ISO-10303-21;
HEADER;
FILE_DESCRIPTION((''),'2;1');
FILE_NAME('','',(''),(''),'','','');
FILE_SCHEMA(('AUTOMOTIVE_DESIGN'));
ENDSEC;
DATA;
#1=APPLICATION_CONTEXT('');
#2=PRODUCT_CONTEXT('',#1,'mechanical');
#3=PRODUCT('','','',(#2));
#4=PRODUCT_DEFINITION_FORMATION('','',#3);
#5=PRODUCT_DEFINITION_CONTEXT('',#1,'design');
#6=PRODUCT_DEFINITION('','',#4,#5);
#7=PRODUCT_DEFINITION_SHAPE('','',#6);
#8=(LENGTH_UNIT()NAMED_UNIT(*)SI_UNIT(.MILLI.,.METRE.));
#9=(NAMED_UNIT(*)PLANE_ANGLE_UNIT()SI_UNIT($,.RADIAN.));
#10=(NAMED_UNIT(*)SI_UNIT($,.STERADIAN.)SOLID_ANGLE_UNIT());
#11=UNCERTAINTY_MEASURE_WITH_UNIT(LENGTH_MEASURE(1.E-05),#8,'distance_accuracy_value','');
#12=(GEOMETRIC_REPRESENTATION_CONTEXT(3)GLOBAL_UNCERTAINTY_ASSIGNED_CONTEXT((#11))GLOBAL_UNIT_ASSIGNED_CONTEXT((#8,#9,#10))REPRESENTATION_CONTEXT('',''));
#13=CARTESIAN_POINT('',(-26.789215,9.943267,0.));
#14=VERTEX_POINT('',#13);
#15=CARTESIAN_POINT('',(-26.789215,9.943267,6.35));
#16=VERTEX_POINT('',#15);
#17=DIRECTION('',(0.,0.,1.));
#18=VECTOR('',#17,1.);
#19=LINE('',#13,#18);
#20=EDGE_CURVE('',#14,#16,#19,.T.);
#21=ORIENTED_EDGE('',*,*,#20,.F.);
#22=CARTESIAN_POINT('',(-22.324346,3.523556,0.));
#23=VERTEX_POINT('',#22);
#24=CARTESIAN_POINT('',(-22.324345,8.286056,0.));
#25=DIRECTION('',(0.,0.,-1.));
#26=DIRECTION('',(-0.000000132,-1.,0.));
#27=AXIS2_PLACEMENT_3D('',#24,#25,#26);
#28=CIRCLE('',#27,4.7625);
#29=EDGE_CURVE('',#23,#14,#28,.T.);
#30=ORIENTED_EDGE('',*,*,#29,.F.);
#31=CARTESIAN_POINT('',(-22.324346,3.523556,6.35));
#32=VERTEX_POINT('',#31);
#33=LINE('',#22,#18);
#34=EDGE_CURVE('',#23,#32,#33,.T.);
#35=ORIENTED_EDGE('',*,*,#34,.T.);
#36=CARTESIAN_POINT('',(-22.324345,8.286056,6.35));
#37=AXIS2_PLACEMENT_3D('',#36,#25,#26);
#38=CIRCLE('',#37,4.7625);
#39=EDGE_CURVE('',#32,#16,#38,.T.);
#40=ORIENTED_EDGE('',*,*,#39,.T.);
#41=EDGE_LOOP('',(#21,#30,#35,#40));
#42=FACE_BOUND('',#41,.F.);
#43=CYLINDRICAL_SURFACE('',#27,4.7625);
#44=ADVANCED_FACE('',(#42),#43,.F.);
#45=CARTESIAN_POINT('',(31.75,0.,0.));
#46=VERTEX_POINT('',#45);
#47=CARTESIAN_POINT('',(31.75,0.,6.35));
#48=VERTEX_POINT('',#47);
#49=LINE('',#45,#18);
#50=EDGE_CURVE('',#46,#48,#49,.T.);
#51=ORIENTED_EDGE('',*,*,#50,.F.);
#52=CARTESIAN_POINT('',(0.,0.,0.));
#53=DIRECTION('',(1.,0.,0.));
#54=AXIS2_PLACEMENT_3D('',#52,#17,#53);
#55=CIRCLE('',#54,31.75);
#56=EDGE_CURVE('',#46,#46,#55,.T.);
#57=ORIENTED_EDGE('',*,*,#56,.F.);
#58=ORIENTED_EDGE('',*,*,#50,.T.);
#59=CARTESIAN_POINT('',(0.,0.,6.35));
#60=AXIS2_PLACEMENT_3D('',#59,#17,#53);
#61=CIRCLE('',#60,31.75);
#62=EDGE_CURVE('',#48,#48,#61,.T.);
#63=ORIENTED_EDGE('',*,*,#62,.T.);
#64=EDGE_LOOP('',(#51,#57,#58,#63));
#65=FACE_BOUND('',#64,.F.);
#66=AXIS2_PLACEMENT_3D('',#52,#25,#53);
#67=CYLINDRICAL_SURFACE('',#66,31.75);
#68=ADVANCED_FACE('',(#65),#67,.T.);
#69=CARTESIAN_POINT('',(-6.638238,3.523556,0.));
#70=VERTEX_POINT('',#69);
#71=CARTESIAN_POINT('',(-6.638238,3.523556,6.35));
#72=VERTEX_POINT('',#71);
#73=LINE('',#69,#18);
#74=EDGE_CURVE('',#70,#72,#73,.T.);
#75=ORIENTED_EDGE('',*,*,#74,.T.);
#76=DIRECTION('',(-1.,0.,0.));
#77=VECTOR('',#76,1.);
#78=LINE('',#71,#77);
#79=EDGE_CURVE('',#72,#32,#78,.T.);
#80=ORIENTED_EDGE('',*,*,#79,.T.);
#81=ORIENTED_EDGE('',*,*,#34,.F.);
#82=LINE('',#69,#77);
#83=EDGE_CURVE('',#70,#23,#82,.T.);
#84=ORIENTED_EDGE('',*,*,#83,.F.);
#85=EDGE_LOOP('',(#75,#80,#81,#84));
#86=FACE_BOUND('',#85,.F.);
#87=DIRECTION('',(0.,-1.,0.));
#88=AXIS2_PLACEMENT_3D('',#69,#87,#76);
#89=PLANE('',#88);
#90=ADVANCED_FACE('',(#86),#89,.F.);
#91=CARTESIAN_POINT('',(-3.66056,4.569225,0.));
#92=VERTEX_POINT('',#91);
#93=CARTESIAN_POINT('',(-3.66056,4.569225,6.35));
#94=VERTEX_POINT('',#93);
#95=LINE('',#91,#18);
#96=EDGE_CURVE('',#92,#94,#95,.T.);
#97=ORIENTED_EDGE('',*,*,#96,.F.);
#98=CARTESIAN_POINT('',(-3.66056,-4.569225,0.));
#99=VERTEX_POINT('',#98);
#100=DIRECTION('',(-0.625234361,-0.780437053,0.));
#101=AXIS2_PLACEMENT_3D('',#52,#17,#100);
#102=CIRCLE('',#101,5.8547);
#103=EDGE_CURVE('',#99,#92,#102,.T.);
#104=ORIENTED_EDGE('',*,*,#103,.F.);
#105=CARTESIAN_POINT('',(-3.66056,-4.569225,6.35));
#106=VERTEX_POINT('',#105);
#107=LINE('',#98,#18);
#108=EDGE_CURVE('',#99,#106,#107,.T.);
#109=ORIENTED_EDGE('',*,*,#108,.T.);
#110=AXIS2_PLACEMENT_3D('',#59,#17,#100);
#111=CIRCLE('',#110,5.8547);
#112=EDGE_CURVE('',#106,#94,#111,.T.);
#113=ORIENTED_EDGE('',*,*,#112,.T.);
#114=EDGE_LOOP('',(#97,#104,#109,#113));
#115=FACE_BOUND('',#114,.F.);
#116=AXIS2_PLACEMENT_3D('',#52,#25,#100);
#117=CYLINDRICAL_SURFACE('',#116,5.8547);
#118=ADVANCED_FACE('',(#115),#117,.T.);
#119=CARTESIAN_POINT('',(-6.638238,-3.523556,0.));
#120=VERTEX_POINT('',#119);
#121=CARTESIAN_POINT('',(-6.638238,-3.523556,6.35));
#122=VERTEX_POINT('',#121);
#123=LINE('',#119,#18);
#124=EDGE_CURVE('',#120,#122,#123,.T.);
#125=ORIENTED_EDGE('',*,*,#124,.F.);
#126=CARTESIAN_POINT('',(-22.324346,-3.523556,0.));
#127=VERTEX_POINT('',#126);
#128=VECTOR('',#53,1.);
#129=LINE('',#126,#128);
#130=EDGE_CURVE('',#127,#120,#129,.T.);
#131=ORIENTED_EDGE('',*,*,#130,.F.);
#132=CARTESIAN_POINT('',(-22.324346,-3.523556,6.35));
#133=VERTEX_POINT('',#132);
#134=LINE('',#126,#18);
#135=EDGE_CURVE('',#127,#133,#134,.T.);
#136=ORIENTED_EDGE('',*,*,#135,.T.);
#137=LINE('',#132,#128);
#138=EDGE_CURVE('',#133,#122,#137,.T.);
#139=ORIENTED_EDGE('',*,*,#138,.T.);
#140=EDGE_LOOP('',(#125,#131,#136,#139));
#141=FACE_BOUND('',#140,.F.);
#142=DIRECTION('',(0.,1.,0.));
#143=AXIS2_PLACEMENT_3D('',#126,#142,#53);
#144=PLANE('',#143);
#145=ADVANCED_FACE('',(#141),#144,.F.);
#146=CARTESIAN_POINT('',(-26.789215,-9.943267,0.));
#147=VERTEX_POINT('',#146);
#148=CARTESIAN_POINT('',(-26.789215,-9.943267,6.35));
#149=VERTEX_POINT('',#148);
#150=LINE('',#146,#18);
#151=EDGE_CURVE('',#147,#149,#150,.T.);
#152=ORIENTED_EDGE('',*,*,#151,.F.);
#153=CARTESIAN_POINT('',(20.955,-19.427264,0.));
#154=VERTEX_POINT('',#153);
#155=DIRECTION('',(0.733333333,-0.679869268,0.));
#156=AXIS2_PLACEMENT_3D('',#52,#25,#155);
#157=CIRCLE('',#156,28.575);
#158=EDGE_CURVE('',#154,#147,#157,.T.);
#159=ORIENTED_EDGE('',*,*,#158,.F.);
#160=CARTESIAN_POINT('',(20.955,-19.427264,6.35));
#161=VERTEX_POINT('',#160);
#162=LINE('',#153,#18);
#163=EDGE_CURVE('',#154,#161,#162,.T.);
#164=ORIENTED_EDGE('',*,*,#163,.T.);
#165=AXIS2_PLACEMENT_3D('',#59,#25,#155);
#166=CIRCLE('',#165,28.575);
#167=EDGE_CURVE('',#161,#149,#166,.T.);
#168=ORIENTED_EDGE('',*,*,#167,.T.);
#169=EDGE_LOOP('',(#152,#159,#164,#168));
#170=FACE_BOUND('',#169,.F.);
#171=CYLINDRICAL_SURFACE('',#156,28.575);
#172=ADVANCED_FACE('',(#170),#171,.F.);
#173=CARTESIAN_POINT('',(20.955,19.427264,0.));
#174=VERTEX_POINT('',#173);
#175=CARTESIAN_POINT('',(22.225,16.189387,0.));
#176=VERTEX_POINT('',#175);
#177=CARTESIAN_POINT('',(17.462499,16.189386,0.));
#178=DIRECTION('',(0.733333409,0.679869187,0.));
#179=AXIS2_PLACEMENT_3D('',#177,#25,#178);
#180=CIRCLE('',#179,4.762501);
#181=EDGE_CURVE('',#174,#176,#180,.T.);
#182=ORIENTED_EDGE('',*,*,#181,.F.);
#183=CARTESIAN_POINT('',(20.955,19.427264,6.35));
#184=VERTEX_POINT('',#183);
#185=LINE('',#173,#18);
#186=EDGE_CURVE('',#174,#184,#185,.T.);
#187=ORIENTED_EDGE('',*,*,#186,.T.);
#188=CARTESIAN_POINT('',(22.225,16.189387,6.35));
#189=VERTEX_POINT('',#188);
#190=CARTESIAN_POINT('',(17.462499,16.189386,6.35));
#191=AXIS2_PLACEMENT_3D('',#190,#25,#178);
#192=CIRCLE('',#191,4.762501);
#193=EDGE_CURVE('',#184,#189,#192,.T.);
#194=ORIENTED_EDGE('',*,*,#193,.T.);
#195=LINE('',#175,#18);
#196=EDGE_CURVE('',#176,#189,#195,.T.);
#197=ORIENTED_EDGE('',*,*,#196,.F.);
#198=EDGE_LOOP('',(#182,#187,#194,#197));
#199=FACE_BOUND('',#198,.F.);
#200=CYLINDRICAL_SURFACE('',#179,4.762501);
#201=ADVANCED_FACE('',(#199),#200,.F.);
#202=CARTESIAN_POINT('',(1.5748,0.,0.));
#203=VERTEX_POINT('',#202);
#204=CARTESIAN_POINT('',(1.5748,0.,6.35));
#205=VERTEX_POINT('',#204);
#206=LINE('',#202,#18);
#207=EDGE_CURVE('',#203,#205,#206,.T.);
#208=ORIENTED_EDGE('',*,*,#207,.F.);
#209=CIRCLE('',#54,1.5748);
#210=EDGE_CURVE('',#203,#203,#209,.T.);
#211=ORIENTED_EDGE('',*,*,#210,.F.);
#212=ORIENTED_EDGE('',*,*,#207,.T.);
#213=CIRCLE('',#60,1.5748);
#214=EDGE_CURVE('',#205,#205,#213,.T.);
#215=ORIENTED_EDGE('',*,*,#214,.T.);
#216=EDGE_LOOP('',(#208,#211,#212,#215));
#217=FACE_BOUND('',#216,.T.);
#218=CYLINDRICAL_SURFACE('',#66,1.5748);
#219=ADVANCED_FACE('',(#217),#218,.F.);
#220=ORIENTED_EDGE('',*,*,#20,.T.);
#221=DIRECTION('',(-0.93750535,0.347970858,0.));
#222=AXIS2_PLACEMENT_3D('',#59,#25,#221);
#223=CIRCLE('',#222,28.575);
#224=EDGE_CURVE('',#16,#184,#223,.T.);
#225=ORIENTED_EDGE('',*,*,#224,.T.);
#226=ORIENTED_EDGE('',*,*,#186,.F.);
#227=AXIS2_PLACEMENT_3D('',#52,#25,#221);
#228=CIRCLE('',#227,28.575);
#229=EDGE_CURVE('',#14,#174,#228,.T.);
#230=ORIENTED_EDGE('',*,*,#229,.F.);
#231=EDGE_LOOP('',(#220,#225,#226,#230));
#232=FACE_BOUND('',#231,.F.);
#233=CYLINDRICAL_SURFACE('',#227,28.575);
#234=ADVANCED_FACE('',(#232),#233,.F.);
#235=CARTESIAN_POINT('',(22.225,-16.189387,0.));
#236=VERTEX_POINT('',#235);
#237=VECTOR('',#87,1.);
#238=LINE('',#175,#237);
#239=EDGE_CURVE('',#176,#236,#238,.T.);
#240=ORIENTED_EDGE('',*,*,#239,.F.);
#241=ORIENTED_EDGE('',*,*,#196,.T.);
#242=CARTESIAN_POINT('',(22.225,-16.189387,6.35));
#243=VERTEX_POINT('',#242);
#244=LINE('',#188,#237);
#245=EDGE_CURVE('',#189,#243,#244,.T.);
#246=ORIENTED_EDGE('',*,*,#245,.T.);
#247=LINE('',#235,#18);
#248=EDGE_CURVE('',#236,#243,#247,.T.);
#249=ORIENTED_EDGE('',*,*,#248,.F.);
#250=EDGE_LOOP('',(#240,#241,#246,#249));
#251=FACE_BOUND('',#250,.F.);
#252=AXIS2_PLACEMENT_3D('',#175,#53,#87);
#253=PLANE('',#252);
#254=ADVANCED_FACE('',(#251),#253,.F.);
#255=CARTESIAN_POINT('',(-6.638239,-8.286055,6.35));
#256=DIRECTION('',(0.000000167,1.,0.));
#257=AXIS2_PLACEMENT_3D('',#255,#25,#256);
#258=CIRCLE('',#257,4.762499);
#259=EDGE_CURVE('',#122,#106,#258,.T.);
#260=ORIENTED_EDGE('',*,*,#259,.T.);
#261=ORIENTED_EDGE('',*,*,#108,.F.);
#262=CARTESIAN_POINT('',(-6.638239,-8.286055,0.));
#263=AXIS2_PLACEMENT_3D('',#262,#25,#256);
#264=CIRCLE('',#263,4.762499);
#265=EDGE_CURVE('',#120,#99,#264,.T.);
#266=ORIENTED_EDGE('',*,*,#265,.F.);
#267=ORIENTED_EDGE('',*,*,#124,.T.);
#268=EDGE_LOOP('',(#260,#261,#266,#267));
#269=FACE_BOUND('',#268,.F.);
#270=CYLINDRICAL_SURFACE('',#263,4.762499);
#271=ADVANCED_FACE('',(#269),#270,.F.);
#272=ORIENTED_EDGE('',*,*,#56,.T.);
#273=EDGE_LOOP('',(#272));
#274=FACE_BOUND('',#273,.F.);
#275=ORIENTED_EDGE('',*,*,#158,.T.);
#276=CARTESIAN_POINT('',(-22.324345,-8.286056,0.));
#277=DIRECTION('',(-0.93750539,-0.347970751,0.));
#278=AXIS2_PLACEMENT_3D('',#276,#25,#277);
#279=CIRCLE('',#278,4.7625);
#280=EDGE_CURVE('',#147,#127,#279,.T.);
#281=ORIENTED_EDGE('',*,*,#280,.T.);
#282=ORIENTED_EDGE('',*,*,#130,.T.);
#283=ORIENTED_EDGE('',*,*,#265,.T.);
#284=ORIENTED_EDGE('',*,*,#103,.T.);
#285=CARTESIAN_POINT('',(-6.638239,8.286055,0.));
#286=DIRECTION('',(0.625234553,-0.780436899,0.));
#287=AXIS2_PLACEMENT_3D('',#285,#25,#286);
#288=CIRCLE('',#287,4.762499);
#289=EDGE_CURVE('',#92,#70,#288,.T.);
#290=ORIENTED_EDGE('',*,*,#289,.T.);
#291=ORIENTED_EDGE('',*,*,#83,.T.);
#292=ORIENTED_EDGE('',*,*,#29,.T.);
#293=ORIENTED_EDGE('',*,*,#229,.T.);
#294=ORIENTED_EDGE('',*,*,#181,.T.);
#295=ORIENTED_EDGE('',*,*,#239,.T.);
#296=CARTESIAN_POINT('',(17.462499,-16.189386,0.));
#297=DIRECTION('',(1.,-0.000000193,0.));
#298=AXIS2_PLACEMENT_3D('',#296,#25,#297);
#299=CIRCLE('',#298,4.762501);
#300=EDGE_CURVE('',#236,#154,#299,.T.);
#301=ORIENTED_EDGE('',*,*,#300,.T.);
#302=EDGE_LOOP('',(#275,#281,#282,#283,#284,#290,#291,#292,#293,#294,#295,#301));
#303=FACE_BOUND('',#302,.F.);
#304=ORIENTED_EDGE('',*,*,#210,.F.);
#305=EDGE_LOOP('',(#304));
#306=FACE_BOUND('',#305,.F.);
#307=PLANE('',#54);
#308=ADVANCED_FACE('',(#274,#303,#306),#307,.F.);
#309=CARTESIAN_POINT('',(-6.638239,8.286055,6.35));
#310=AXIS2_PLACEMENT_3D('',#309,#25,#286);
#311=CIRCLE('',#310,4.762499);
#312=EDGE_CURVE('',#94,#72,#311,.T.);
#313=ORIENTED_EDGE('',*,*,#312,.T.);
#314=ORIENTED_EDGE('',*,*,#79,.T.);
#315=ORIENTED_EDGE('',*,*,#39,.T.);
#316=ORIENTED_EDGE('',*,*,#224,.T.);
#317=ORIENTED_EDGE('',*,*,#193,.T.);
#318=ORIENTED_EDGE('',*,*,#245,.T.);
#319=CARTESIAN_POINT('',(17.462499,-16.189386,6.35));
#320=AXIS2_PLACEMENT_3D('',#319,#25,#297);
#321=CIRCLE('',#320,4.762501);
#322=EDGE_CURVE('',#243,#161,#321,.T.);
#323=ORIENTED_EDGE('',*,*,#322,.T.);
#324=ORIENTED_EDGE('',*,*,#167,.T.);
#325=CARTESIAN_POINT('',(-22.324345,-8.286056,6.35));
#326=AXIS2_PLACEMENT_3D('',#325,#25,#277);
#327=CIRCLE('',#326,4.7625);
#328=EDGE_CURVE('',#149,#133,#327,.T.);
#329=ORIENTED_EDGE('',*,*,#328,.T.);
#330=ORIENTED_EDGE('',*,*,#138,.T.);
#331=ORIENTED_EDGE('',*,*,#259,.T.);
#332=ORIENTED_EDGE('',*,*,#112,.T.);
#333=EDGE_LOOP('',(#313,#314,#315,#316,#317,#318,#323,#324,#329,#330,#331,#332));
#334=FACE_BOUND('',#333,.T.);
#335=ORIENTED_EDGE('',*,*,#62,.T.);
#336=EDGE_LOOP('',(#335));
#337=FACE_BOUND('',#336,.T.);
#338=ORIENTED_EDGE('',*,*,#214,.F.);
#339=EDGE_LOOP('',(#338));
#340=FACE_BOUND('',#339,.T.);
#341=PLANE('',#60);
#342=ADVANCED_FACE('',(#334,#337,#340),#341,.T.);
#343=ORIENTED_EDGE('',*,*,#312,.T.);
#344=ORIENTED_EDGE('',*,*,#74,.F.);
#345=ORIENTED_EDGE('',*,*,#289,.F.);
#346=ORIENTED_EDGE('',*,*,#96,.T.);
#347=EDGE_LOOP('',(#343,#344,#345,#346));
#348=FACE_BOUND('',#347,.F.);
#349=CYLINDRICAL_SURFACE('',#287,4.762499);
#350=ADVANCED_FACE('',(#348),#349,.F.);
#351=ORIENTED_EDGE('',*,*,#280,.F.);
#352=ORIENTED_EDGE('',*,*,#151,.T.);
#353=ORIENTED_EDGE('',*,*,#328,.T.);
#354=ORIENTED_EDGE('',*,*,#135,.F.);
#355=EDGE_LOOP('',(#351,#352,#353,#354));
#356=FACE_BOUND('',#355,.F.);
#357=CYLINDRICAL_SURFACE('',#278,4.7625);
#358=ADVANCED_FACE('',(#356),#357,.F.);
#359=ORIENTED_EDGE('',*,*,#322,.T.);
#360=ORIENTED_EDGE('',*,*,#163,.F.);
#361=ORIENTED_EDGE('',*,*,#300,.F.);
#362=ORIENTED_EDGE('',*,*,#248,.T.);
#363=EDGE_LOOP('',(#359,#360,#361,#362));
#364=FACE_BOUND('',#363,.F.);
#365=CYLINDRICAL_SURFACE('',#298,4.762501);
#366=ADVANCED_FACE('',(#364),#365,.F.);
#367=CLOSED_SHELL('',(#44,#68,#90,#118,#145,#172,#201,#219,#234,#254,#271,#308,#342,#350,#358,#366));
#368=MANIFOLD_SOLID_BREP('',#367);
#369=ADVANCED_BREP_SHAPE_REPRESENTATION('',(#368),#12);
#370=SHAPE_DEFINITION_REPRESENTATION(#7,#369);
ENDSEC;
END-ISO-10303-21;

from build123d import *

# Parameters (mm, degrees)
F0_R     = 31.75
F0_R_2   = 1.5748
F1_DEPTH = 6.35


with BuildPart() as f1:
    # F0 (on Top) → F1 (new body)
    with BuildSketch(Plane.XY):
        Circle(F0_R)
        with BuildLine():
            ThreePointArc((20.955, -19.427264), (-5.567411, -28.027389), (-26.789215, -9.943267))
            ThreePointArc((-26.789215, -9.943267), (-26.234197, -5.566779), (-22.324346, -3.523556))
            Line((-22.324346, -3.523556), (-6.638238, -3.523556))
            ThreePointArc((-6.638238, -3.523556), (-5.060266, -3.792571), (-3.66056, -4.569225))
            ThreePointArc((-3.66056, -4.569225), (5.8547, 0), (-3.66056, 4.569225))
            ThreePointArc((-3.66056, 4.569225), (-5.060266, 3.792571), (-6.638238, 3.523556))
            Line((-6.638238, 3.523556), (-22.324346, 3.523556))
            ThreePointArc((-22.324346, 3.523556), (-26.234197, 5.566779), (-26.789215, 9.943267))
            ThreePointArc((-26.789215, 9.943267), (-5.567411, 28.027389), (20.955, 19.427264))
            ThreePointArc((20.955, 19.427264), (21.896146, 17.928406), (22.225, 16.189387))
            Line((22.225, 16.189387), (22.225, 0))
            Line((22.225, 0), (22.225, -16.189387))
            ThreePointArc((22.225, -16.189387), (21.896146, -17.928406), (20.955, -19.427264))
        make_face(mode=Mode.SUBTRACT)
        Circle(F0_R_2, mode=Mode.SUBTRACT)
    extrude(amount=F1_DEPTH)


solid = f1.part
